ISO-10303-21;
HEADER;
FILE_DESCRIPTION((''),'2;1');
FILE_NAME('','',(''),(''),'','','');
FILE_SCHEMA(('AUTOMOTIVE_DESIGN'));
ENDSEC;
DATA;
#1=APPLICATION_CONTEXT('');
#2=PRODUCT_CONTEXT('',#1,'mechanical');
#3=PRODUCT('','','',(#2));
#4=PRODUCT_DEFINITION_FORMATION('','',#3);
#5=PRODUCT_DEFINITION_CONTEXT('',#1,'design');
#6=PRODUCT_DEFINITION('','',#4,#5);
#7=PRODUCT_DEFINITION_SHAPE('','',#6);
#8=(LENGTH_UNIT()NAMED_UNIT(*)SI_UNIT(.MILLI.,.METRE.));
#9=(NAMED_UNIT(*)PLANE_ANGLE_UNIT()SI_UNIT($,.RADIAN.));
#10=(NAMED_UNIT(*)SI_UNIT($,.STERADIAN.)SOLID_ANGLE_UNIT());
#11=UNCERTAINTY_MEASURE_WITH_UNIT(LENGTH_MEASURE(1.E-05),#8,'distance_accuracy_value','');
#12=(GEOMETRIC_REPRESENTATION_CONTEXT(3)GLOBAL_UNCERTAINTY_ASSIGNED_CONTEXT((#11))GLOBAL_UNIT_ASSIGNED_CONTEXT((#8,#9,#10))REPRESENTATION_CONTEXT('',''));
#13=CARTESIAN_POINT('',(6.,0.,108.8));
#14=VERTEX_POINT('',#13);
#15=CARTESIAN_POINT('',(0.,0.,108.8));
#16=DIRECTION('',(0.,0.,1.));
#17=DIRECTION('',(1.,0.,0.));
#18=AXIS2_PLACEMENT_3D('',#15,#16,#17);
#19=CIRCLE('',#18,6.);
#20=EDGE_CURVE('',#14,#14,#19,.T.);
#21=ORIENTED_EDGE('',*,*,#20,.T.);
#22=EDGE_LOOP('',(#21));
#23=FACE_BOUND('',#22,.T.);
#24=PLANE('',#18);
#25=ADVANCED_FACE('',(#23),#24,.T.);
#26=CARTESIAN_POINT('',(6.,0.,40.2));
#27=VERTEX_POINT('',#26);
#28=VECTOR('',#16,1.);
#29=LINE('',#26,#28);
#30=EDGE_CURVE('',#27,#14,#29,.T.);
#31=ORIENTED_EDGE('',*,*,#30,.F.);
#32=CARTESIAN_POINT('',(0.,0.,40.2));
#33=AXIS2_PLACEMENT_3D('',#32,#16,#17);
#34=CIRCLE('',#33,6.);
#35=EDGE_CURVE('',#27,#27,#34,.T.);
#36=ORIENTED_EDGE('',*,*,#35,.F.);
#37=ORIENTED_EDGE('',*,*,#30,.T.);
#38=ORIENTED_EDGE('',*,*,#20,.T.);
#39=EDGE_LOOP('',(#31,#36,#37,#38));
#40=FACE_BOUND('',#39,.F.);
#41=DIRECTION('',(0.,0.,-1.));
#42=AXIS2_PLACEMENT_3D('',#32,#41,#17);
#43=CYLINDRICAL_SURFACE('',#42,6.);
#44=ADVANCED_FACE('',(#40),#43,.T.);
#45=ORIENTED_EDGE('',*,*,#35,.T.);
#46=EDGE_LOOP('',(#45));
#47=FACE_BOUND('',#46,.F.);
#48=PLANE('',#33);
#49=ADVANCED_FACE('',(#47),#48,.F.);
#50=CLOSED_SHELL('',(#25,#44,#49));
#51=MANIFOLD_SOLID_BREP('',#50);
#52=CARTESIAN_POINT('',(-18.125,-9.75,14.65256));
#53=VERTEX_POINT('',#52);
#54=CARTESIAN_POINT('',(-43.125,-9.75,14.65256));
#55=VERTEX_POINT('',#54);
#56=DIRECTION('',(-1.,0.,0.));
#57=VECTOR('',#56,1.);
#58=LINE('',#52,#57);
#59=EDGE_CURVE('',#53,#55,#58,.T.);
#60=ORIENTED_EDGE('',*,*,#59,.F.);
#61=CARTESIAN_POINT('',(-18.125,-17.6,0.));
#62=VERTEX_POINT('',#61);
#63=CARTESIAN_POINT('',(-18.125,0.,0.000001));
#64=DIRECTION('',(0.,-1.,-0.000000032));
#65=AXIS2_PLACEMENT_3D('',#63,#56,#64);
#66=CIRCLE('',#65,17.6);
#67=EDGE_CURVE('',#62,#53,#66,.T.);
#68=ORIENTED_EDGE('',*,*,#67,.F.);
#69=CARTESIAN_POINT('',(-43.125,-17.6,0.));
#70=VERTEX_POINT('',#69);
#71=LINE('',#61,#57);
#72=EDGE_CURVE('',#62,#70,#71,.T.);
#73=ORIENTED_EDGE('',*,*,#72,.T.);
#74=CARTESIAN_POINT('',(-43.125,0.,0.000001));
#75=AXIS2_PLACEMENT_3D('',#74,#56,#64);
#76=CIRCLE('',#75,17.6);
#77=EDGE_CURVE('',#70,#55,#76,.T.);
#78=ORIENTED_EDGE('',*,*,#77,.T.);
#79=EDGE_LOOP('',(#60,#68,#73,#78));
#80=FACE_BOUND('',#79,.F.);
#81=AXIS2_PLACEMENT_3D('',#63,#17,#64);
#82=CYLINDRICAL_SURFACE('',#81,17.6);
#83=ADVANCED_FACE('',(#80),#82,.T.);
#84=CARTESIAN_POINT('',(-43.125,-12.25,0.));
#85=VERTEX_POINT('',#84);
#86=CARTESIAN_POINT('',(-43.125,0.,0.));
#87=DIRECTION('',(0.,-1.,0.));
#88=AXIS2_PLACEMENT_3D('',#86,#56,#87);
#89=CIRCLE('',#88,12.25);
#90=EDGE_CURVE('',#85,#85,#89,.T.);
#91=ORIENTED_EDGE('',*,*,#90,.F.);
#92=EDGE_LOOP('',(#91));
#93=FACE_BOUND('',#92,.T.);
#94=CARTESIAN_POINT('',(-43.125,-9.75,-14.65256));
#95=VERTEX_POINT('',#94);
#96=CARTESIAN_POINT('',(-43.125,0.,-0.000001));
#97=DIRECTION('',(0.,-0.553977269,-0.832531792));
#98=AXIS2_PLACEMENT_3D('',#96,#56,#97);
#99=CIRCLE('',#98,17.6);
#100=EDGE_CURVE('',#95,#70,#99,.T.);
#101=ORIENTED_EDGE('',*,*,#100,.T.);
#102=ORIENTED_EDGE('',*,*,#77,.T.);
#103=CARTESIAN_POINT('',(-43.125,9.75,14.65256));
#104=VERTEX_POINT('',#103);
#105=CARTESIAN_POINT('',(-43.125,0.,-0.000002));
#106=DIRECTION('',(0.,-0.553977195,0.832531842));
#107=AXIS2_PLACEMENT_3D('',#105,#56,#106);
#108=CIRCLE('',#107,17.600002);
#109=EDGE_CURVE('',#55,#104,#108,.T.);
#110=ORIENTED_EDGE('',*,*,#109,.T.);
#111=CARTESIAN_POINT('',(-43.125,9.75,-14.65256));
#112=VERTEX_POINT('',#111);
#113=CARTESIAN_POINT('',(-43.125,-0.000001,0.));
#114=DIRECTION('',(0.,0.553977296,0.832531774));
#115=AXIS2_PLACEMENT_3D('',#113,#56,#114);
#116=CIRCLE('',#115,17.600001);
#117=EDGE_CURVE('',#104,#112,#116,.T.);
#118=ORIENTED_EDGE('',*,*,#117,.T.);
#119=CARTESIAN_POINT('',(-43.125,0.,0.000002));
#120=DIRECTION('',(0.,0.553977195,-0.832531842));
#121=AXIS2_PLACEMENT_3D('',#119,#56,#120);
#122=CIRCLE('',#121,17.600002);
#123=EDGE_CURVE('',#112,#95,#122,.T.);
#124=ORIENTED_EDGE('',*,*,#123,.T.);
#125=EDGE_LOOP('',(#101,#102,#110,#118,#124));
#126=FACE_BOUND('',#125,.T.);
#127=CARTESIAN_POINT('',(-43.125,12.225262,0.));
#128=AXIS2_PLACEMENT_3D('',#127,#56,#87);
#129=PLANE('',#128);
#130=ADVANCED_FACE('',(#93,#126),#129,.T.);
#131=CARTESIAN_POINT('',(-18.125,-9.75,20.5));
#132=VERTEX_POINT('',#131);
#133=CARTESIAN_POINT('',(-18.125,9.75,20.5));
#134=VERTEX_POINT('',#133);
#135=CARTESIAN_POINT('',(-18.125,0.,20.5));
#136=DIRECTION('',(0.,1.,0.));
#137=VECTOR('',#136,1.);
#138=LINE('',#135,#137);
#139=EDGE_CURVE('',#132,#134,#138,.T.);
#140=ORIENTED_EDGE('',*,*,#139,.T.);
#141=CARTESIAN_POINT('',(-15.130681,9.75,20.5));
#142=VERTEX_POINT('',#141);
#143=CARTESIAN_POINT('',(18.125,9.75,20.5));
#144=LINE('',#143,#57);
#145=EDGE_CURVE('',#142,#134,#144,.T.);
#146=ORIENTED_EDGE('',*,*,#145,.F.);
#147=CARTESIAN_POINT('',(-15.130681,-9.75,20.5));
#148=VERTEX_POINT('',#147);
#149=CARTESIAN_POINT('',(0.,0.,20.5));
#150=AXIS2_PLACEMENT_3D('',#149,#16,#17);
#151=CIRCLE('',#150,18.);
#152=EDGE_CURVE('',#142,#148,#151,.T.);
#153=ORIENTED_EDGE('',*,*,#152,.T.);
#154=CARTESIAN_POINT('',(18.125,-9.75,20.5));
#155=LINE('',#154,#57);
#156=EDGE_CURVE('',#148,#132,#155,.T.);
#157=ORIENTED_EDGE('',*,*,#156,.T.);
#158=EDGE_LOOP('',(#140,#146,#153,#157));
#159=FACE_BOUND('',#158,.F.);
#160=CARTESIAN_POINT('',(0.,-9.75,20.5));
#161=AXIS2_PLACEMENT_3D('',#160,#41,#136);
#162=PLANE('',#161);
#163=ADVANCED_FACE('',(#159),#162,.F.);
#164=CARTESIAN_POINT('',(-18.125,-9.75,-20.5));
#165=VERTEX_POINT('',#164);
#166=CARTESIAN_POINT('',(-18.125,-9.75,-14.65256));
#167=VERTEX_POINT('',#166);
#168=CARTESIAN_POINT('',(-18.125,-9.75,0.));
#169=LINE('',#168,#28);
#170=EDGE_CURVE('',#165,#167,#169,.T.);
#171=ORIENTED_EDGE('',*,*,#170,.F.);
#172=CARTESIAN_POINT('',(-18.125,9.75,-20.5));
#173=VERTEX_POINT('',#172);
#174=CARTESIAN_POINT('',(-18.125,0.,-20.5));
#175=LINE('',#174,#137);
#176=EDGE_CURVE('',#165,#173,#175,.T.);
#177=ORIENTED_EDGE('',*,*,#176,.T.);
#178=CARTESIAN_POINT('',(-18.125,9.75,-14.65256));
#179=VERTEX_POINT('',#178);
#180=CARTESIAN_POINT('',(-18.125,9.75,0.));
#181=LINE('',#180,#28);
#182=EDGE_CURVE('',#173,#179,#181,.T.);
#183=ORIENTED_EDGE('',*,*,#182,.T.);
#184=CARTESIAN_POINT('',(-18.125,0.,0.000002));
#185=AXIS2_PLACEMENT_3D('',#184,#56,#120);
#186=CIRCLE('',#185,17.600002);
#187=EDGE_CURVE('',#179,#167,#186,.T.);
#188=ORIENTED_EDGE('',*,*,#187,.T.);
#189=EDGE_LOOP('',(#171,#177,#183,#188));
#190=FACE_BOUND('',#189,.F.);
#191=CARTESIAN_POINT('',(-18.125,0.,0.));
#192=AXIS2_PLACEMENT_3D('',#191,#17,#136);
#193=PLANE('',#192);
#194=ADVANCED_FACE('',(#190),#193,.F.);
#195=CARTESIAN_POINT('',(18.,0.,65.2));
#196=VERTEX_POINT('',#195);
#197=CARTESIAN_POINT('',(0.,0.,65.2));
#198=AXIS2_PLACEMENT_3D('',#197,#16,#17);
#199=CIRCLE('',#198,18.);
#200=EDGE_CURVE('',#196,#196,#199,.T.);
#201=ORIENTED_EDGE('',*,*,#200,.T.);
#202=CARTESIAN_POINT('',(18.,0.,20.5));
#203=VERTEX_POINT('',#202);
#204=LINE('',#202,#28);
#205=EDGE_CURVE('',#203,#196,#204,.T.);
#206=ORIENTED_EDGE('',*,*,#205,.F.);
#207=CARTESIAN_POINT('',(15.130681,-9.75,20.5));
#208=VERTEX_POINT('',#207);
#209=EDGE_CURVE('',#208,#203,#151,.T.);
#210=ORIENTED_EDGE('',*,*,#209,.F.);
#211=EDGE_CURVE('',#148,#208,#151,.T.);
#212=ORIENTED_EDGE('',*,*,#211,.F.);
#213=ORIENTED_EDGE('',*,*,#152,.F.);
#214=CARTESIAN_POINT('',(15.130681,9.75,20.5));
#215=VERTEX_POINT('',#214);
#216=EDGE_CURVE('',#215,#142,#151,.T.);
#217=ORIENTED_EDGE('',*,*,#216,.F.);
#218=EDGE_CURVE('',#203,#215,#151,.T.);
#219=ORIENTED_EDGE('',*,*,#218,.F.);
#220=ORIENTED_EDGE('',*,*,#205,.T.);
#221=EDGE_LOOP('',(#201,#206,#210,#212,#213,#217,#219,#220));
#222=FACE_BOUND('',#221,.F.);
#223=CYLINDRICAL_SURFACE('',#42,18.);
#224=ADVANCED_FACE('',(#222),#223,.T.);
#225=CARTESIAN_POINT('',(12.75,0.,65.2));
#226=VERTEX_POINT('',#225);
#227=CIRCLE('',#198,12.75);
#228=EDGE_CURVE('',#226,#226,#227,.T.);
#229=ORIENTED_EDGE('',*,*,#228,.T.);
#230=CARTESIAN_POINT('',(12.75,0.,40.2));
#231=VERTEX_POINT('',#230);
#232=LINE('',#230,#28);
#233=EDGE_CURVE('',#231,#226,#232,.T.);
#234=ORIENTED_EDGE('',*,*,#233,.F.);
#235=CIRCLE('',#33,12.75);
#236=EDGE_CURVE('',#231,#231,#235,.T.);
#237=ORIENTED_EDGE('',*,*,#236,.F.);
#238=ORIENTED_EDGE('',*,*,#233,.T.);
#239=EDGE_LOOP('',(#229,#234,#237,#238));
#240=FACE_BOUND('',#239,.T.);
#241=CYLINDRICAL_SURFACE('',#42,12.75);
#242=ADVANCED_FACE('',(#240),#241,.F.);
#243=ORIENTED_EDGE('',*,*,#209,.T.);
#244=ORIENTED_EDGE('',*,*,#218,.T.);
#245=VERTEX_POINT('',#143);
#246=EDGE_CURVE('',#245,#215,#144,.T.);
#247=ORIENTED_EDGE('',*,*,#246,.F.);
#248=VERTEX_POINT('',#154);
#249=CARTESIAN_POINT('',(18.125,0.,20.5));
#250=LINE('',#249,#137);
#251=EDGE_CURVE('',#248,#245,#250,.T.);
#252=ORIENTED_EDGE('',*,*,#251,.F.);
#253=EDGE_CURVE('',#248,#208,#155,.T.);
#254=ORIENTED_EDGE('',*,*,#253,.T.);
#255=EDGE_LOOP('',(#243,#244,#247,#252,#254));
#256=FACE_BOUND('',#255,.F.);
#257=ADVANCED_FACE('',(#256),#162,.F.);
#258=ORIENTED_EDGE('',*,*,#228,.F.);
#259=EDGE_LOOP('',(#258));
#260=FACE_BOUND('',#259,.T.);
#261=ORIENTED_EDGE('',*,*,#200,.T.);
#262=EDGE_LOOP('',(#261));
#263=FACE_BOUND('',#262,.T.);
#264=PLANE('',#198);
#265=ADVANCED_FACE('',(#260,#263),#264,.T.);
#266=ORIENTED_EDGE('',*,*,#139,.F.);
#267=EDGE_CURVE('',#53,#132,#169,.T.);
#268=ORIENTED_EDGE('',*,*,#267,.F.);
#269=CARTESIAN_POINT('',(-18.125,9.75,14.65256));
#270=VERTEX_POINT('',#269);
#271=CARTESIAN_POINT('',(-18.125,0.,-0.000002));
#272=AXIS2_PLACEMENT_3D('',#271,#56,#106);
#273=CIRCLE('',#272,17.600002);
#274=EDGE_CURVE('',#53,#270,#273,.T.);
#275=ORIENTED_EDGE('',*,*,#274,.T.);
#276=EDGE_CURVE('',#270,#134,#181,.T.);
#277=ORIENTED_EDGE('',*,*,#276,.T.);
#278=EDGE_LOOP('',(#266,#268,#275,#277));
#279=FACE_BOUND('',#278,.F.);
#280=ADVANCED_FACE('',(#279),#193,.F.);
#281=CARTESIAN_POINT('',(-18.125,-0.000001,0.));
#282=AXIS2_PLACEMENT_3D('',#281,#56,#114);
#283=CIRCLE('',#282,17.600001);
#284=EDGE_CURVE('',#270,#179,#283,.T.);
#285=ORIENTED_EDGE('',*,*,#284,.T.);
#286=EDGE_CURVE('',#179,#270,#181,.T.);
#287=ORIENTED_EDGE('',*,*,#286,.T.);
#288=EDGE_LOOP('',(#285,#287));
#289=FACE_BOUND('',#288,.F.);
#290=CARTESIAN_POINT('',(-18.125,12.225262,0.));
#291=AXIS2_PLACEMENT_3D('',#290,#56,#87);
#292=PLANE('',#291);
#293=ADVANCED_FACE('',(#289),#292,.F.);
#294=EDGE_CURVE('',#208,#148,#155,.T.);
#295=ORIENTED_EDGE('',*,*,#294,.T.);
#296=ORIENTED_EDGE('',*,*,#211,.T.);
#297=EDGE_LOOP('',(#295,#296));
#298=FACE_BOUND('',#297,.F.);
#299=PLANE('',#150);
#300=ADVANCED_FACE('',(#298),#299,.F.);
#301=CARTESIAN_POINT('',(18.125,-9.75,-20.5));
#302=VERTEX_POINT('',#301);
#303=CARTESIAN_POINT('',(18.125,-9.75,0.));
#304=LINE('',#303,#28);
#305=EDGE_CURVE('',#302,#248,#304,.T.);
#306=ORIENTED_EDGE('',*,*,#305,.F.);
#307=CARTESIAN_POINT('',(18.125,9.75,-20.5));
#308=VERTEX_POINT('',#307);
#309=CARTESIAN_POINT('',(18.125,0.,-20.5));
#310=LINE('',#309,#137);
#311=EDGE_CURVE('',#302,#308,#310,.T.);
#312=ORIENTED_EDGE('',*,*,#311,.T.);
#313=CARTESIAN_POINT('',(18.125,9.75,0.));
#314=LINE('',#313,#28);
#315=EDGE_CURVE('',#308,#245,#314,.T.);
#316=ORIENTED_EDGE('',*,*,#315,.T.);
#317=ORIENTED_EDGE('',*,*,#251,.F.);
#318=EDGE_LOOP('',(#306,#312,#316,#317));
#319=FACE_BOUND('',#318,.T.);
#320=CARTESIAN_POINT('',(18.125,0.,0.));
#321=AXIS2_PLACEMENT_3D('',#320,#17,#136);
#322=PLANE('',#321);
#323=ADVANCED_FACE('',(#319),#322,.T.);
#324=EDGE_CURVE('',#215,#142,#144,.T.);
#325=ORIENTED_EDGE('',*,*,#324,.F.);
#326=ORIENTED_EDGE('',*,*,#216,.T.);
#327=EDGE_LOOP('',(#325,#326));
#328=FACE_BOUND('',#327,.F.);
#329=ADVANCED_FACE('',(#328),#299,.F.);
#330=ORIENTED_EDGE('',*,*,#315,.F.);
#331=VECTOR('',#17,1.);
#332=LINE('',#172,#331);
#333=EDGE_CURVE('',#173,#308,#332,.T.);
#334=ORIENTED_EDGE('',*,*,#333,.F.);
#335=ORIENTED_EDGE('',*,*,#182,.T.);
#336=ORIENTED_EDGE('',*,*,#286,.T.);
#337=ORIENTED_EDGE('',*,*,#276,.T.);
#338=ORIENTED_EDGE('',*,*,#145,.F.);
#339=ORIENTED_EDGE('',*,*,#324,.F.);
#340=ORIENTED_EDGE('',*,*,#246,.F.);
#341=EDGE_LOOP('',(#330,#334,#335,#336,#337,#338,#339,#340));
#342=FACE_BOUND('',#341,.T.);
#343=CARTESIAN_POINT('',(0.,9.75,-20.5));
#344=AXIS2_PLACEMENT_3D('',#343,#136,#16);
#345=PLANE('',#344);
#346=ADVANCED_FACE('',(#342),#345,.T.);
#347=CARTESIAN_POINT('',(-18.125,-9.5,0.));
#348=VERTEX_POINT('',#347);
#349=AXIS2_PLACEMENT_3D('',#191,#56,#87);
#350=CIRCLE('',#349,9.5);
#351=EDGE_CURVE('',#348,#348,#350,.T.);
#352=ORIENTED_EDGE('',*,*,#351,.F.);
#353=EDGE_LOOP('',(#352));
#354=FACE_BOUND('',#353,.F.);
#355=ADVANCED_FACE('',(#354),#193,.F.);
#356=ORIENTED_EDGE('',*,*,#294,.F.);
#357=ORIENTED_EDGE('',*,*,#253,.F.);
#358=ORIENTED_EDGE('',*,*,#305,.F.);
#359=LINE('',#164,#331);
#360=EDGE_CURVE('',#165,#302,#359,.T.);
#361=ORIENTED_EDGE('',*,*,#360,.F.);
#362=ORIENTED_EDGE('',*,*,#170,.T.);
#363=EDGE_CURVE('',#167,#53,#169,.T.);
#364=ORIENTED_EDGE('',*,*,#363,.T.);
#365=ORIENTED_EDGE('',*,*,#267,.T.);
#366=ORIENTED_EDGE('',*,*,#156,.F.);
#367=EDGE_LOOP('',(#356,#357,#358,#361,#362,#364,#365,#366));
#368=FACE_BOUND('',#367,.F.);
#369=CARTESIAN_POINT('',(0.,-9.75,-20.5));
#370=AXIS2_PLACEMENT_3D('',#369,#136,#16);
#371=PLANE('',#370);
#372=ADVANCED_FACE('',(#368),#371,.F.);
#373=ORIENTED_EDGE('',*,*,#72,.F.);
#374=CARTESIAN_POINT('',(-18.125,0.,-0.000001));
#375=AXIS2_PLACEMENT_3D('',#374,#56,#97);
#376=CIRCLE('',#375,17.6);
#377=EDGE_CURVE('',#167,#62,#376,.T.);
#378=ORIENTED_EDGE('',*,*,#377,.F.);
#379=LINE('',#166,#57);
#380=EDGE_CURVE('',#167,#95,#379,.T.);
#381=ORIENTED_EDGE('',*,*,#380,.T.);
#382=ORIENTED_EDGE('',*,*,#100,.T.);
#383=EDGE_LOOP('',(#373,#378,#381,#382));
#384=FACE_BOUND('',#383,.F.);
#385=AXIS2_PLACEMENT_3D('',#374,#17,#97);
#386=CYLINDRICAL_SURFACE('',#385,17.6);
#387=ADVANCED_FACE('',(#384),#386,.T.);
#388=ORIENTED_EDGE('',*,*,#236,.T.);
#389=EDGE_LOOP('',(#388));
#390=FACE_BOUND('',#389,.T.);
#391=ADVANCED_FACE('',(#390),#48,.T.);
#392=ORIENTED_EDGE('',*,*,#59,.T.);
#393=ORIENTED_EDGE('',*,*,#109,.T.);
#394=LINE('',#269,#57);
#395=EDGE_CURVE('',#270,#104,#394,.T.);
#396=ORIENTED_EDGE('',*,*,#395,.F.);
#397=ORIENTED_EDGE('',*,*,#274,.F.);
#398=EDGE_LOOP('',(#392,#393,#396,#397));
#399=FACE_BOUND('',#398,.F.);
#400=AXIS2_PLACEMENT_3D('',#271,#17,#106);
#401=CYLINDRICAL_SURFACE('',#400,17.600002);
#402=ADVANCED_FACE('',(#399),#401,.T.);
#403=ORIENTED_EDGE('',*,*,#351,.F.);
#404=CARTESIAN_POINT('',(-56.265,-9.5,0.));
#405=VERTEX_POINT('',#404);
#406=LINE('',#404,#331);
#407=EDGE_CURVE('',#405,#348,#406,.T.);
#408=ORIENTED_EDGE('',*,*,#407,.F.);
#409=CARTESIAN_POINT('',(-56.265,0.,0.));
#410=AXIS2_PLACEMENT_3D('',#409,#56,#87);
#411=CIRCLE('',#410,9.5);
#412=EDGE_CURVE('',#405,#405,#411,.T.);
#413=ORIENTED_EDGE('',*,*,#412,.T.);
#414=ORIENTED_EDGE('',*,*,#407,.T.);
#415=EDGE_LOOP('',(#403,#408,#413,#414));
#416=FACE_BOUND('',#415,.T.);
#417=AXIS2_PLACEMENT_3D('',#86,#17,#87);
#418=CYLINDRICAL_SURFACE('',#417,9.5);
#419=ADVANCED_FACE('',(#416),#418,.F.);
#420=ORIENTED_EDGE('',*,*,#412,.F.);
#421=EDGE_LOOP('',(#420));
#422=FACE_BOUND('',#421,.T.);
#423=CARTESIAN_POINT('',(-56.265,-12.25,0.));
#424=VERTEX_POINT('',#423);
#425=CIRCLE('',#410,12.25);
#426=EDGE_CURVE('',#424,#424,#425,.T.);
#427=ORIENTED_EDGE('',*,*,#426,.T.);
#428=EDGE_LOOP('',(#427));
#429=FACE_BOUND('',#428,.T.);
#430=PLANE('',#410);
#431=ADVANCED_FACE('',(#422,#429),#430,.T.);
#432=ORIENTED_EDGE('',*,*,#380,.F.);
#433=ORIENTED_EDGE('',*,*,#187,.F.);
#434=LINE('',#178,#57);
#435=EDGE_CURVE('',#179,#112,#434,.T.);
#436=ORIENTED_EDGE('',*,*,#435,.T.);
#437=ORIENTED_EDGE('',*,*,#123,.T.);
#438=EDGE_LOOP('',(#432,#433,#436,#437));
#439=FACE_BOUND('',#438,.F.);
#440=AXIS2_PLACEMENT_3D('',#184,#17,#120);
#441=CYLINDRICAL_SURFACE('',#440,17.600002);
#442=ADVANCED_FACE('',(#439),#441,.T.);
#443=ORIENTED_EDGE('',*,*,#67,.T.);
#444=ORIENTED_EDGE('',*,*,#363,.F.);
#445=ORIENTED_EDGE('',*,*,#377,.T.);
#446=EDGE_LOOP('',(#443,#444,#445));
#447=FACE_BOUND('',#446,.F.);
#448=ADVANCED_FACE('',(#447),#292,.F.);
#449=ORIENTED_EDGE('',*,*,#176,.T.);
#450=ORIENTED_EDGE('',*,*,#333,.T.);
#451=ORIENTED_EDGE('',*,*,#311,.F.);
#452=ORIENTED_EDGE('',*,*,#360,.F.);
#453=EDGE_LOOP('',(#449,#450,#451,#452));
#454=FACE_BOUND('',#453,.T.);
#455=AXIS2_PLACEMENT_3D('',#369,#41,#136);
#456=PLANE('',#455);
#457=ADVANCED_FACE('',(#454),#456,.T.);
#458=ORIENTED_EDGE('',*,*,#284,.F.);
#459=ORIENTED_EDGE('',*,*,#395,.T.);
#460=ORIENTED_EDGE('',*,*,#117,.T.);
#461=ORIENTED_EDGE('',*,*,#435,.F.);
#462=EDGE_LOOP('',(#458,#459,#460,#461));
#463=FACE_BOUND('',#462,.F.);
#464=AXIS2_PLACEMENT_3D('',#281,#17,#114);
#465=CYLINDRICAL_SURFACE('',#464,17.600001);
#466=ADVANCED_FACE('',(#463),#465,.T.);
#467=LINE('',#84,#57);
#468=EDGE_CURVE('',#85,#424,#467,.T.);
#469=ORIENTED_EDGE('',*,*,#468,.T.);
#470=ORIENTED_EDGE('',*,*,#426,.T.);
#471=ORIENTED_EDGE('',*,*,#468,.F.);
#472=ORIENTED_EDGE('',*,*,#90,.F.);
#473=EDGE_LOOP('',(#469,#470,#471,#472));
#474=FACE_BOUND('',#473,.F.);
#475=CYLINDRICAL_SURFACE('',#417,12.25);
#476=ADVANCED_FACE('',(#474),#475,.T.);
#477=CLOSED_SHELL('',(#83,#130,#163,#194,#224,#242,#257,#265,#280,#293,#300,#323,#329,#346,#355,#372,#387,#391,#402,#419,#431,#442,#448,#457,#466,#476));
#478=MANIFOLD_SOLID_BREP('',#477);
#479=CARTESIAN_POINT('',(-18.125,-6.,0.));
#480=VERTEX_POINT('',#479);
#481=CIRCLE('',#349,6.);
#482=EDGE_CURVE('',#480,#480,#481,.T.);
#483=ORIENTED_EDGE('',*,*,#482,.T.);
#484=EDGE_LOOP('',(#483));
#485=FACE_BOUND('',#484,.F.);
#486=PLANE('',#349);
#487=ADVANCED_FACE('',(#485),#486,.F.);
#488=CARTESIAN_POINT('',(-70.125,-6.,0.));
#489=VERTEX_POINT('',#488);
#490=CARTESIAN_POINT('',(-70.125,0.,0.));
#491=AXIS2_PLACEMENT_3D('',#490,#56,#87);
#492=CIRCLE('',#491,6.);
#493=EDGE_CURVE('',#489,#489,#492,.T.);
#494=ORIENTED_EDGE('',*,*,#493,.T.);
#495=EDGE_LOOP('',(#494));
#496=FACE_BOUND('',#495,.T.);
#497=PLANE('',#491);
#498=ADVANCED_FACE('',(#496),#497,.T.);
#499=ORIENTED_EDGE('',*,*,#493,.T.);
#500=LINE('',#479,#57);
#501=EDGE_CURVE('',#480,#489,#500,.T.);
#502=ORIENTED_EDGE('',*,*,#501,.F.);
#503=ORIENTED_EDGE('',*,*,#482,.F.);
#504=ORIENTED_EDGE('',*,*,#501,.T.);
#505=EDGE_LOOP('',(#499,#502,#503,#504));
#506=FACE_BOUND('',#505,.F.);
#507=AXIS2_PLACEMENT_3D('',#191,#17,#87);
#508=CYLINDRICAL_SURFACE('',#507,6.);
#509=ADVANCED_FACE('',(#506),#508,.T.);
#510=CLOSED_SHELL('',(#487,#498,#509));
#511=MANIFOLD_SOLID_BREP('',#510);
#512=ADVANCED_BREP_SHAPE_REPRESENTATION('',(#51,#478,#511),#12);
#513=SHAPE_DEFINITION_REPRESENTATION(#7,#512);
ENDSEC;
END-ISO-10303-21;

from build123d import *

# Parameters (mm, degrees)
F0_W      = 19.5
F0_H      = 41
F1_DEPTH  = 18.125
F2_R      = 18
F3_DEPTH  = 19.7
F4_R      = 18
F4_R_2    = 12.75
F5_DEPTH  = 25
F4_R_3    = 6
F6_DEPTH  = 68.6
F7_R      = 9.5
F8_DEPTH  = 25
F9_R      = 12.25
F9_R_2    = 9.5
F10_DEPTH = 13.14
F7_R_2    = 6
F11_DEPTH = 52


with BuildPart() as f1:
    # F0 (on Right) → F1 (new body, symmetric)
    with BuildSketch(Plane.YZ):
        Rectangle(F0_W, F0_H)
    extrude(amount=F1_DEPTH, both=True)

    # F2 (on face) → F3 (join)
    with BuildSketch(Plane.XY.offset(20.5)):
        Circle(F2_R)
    extrude(amount=F3_DEPTH)

    # F4 (on face) → F5 (join)
    with BuildSketch(Plane.XY.offset(40.2)):
        Circle(F4_R)
        Circle(F4_R_2, mode=Mode.SUBTRACT)
    extrude(amount=F5_DEPTH)

    # F7 (on face) → F8 (join)
    with BuildSketch(Plane(origin=(-18.125, 0, 0), x_dir=(0, -1, 0), z_dir=(-1, 0, 0))):
        with BuildLine():
            Line((-9.75, -14.65256), (-9.75, 14.65256))
            ThreePointArc((-9.75, 14.65256), (-17.6, 0), (-9.75, -14.65256))
        make_face()
        with BuildLine():
            ThreePointArc((9.75, -14.65256), (15.513865, -8.311438), (17.6, 0))
            ThreePointArc((17.6, 0), (15.513865, 8.311438), (9.75, 14.65256))
            Line((9.75, 14.65256), (9.75, -14.65256))
        make_face()
        with BuildLine():
            Line((9.75, -14.65256), (9.75, 14.65256))
            ThreePointArc((9.75, 14.65256), (0, 17.6), (-9.75, 14.65256))
            Line((-9.75, 14.65256), (-9.75, -14.65256))
            ThreePointArc((-9.75, -14.65256), (0, -17.6), (9.75, -14.65256))
        make_face()
        Circle(F7_R, mode=Mode.SUBTRACT)
    extrude(amount=F8_DEPTH)

    # F9 (on face) → F10 (join)
    with BuildSketch(Plane(origin=(-43.125, 0, 0), x_dir=(0, -1, 0), z_dir=(-1, 0, 0))):
        Circle(F9_R)
        Circle(F9_R_2, mode=Mode.SUBTRACT)
    extrude(amount=F10_DEPTH)


with BuildPart() as f6:
    # F4 (on face) → F6 (new body)
    with BuildSketch(Plane.XY.offset(40.2)):
        Circle(F4_R_3)
    extrude(amount=F6_DEPTH)


with BuildPart() as f11:
    # F7 (on face) → F11 (new body)
    with BuildSketch(Plane(origin=(-18.125, 0, 0), x_dir=(0, -1, 0), z_dir=(-1, 0, 0))):
        Circle(F7_R_2)
    extrude(amount=F11_DEPTH)


solid = Compound([f1.part, f6.part, f11.part])
